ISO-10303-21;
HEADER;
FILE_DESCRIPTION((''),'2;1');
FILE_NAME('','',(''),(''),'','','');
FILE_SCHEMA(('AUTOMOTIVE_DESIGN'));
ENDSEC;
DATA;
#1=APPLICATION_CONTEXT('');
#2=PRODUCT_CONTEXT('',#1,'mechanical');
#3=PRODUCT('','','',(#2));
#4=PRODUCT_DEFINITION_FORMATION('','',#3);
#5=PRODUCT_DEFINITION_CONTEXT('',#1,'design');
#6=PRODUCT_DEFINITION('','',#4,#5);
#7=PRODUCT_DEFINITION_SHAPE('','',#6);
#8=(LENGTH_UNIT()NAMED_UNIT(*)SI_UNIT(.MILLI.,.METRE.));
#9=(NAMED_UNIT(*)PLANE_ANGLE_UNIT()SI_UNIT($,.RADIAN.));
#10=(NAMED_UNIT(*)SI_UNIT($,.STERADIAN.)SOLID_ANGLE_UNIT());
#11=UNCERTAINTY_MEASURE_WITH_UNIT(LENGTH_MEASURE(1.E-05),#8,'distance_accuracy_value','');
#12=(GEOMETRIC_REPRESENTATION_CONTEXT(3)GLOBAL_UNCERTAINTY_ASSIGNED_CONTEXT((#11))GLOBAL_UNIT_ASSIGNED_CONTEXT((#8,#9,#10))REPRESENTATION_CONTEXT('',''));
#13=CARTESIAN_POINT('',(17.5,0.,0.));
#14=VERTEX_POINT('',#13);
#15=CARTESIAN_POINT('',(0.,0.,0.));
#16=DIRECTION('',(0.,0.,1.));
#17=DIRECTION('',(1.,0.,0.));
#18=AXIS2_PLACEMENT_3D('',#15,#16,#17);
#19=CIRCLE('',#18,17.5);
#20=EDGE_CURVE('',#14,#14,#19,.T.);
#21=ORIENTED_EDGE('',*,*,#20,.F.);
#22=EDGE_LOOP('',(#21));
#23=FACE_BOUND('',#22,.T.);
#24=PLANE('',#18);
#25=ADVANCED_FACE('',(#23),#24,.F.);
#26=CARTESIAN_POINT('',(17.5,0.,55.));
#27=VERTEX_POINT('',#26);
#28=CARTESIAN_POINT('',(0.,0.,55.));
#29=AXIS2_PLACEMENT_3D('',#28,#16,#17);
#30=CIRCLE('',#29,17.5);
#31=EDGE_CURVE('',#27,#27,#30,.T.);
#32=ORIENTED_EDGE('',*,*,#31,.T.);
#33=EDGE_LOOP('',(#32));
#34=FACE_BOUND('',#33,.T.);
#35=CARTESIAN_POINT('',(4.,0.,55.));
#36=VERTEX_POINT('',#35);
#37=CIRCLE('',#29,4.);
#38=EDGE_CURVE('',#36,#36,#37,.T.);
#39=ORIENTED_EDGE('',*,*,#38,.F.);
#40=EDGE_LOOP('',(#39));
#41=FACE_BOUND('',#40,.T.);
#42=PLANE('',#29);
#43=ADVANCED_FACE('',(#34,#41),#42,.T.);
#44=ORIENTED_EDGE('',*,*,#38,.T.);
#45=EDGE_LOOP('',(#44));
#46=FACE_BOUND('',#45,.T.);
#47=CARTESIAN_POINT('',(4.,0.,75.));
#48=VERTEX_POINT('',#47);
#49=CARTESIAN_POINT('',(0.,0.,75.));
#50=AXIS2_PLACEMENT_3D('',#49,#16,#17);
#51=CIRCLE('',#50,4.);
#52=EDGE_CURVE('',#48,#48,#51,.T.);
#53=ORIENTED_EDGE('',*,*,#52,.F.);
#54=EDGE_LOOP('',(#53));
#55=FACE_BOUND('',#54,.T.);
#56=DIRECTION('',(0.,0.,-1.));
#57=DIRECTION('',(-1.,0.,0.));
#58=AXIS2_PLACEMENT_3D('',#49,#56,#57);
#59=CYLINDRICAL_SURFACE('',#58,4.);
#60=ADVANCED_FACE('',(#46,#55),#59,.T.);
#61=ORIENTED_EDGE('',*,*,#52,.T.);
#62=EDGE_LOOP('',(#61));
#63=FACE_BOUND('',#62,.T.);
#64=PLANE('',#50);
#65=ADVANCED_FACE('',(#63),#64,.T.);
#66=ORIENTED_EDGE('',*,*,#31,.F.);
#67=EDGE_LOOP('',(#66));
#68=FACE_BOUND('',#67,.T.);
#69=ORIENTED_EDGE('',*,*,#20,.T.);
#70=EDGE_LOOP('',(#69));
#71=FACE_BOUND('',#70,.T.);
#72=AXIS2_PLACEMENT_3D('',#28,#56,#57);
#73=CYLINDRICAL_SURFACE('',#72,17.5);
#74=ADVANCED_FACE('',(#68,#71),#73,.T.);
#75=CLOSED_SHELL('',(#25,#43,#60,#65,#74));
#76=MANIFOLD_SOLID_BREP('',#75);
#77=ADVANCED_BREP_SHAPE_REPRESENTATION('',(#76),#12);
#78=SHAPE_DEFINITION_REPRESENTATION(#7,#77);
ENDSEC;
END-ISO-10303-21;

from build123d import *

# Parameters (mm, degrees)
SKETCH_1_R      = 17.5
EXTRUDE_1_DEPTH = 55
SKETCH_2_R      = 4
EXTRUDE_2_DEPTH = 20


with BuildPart() as part:
    # 草图1 → 凸台-拉伸1 (new body)
    with BuildSketch(Plane.XY):
        Circle(SKETCH_1_R)
    extrude(amount=EXTRUDE_1_DEPTH)

    # 草图2 → 凸台-拉伸2 (add)
    with BuildSketch(Plane.XY.offset(55)):
        Circle(SKETCH_2_R)
    extrude(amount=EXTRUDE_2_DEPTH)


solid = part.part
